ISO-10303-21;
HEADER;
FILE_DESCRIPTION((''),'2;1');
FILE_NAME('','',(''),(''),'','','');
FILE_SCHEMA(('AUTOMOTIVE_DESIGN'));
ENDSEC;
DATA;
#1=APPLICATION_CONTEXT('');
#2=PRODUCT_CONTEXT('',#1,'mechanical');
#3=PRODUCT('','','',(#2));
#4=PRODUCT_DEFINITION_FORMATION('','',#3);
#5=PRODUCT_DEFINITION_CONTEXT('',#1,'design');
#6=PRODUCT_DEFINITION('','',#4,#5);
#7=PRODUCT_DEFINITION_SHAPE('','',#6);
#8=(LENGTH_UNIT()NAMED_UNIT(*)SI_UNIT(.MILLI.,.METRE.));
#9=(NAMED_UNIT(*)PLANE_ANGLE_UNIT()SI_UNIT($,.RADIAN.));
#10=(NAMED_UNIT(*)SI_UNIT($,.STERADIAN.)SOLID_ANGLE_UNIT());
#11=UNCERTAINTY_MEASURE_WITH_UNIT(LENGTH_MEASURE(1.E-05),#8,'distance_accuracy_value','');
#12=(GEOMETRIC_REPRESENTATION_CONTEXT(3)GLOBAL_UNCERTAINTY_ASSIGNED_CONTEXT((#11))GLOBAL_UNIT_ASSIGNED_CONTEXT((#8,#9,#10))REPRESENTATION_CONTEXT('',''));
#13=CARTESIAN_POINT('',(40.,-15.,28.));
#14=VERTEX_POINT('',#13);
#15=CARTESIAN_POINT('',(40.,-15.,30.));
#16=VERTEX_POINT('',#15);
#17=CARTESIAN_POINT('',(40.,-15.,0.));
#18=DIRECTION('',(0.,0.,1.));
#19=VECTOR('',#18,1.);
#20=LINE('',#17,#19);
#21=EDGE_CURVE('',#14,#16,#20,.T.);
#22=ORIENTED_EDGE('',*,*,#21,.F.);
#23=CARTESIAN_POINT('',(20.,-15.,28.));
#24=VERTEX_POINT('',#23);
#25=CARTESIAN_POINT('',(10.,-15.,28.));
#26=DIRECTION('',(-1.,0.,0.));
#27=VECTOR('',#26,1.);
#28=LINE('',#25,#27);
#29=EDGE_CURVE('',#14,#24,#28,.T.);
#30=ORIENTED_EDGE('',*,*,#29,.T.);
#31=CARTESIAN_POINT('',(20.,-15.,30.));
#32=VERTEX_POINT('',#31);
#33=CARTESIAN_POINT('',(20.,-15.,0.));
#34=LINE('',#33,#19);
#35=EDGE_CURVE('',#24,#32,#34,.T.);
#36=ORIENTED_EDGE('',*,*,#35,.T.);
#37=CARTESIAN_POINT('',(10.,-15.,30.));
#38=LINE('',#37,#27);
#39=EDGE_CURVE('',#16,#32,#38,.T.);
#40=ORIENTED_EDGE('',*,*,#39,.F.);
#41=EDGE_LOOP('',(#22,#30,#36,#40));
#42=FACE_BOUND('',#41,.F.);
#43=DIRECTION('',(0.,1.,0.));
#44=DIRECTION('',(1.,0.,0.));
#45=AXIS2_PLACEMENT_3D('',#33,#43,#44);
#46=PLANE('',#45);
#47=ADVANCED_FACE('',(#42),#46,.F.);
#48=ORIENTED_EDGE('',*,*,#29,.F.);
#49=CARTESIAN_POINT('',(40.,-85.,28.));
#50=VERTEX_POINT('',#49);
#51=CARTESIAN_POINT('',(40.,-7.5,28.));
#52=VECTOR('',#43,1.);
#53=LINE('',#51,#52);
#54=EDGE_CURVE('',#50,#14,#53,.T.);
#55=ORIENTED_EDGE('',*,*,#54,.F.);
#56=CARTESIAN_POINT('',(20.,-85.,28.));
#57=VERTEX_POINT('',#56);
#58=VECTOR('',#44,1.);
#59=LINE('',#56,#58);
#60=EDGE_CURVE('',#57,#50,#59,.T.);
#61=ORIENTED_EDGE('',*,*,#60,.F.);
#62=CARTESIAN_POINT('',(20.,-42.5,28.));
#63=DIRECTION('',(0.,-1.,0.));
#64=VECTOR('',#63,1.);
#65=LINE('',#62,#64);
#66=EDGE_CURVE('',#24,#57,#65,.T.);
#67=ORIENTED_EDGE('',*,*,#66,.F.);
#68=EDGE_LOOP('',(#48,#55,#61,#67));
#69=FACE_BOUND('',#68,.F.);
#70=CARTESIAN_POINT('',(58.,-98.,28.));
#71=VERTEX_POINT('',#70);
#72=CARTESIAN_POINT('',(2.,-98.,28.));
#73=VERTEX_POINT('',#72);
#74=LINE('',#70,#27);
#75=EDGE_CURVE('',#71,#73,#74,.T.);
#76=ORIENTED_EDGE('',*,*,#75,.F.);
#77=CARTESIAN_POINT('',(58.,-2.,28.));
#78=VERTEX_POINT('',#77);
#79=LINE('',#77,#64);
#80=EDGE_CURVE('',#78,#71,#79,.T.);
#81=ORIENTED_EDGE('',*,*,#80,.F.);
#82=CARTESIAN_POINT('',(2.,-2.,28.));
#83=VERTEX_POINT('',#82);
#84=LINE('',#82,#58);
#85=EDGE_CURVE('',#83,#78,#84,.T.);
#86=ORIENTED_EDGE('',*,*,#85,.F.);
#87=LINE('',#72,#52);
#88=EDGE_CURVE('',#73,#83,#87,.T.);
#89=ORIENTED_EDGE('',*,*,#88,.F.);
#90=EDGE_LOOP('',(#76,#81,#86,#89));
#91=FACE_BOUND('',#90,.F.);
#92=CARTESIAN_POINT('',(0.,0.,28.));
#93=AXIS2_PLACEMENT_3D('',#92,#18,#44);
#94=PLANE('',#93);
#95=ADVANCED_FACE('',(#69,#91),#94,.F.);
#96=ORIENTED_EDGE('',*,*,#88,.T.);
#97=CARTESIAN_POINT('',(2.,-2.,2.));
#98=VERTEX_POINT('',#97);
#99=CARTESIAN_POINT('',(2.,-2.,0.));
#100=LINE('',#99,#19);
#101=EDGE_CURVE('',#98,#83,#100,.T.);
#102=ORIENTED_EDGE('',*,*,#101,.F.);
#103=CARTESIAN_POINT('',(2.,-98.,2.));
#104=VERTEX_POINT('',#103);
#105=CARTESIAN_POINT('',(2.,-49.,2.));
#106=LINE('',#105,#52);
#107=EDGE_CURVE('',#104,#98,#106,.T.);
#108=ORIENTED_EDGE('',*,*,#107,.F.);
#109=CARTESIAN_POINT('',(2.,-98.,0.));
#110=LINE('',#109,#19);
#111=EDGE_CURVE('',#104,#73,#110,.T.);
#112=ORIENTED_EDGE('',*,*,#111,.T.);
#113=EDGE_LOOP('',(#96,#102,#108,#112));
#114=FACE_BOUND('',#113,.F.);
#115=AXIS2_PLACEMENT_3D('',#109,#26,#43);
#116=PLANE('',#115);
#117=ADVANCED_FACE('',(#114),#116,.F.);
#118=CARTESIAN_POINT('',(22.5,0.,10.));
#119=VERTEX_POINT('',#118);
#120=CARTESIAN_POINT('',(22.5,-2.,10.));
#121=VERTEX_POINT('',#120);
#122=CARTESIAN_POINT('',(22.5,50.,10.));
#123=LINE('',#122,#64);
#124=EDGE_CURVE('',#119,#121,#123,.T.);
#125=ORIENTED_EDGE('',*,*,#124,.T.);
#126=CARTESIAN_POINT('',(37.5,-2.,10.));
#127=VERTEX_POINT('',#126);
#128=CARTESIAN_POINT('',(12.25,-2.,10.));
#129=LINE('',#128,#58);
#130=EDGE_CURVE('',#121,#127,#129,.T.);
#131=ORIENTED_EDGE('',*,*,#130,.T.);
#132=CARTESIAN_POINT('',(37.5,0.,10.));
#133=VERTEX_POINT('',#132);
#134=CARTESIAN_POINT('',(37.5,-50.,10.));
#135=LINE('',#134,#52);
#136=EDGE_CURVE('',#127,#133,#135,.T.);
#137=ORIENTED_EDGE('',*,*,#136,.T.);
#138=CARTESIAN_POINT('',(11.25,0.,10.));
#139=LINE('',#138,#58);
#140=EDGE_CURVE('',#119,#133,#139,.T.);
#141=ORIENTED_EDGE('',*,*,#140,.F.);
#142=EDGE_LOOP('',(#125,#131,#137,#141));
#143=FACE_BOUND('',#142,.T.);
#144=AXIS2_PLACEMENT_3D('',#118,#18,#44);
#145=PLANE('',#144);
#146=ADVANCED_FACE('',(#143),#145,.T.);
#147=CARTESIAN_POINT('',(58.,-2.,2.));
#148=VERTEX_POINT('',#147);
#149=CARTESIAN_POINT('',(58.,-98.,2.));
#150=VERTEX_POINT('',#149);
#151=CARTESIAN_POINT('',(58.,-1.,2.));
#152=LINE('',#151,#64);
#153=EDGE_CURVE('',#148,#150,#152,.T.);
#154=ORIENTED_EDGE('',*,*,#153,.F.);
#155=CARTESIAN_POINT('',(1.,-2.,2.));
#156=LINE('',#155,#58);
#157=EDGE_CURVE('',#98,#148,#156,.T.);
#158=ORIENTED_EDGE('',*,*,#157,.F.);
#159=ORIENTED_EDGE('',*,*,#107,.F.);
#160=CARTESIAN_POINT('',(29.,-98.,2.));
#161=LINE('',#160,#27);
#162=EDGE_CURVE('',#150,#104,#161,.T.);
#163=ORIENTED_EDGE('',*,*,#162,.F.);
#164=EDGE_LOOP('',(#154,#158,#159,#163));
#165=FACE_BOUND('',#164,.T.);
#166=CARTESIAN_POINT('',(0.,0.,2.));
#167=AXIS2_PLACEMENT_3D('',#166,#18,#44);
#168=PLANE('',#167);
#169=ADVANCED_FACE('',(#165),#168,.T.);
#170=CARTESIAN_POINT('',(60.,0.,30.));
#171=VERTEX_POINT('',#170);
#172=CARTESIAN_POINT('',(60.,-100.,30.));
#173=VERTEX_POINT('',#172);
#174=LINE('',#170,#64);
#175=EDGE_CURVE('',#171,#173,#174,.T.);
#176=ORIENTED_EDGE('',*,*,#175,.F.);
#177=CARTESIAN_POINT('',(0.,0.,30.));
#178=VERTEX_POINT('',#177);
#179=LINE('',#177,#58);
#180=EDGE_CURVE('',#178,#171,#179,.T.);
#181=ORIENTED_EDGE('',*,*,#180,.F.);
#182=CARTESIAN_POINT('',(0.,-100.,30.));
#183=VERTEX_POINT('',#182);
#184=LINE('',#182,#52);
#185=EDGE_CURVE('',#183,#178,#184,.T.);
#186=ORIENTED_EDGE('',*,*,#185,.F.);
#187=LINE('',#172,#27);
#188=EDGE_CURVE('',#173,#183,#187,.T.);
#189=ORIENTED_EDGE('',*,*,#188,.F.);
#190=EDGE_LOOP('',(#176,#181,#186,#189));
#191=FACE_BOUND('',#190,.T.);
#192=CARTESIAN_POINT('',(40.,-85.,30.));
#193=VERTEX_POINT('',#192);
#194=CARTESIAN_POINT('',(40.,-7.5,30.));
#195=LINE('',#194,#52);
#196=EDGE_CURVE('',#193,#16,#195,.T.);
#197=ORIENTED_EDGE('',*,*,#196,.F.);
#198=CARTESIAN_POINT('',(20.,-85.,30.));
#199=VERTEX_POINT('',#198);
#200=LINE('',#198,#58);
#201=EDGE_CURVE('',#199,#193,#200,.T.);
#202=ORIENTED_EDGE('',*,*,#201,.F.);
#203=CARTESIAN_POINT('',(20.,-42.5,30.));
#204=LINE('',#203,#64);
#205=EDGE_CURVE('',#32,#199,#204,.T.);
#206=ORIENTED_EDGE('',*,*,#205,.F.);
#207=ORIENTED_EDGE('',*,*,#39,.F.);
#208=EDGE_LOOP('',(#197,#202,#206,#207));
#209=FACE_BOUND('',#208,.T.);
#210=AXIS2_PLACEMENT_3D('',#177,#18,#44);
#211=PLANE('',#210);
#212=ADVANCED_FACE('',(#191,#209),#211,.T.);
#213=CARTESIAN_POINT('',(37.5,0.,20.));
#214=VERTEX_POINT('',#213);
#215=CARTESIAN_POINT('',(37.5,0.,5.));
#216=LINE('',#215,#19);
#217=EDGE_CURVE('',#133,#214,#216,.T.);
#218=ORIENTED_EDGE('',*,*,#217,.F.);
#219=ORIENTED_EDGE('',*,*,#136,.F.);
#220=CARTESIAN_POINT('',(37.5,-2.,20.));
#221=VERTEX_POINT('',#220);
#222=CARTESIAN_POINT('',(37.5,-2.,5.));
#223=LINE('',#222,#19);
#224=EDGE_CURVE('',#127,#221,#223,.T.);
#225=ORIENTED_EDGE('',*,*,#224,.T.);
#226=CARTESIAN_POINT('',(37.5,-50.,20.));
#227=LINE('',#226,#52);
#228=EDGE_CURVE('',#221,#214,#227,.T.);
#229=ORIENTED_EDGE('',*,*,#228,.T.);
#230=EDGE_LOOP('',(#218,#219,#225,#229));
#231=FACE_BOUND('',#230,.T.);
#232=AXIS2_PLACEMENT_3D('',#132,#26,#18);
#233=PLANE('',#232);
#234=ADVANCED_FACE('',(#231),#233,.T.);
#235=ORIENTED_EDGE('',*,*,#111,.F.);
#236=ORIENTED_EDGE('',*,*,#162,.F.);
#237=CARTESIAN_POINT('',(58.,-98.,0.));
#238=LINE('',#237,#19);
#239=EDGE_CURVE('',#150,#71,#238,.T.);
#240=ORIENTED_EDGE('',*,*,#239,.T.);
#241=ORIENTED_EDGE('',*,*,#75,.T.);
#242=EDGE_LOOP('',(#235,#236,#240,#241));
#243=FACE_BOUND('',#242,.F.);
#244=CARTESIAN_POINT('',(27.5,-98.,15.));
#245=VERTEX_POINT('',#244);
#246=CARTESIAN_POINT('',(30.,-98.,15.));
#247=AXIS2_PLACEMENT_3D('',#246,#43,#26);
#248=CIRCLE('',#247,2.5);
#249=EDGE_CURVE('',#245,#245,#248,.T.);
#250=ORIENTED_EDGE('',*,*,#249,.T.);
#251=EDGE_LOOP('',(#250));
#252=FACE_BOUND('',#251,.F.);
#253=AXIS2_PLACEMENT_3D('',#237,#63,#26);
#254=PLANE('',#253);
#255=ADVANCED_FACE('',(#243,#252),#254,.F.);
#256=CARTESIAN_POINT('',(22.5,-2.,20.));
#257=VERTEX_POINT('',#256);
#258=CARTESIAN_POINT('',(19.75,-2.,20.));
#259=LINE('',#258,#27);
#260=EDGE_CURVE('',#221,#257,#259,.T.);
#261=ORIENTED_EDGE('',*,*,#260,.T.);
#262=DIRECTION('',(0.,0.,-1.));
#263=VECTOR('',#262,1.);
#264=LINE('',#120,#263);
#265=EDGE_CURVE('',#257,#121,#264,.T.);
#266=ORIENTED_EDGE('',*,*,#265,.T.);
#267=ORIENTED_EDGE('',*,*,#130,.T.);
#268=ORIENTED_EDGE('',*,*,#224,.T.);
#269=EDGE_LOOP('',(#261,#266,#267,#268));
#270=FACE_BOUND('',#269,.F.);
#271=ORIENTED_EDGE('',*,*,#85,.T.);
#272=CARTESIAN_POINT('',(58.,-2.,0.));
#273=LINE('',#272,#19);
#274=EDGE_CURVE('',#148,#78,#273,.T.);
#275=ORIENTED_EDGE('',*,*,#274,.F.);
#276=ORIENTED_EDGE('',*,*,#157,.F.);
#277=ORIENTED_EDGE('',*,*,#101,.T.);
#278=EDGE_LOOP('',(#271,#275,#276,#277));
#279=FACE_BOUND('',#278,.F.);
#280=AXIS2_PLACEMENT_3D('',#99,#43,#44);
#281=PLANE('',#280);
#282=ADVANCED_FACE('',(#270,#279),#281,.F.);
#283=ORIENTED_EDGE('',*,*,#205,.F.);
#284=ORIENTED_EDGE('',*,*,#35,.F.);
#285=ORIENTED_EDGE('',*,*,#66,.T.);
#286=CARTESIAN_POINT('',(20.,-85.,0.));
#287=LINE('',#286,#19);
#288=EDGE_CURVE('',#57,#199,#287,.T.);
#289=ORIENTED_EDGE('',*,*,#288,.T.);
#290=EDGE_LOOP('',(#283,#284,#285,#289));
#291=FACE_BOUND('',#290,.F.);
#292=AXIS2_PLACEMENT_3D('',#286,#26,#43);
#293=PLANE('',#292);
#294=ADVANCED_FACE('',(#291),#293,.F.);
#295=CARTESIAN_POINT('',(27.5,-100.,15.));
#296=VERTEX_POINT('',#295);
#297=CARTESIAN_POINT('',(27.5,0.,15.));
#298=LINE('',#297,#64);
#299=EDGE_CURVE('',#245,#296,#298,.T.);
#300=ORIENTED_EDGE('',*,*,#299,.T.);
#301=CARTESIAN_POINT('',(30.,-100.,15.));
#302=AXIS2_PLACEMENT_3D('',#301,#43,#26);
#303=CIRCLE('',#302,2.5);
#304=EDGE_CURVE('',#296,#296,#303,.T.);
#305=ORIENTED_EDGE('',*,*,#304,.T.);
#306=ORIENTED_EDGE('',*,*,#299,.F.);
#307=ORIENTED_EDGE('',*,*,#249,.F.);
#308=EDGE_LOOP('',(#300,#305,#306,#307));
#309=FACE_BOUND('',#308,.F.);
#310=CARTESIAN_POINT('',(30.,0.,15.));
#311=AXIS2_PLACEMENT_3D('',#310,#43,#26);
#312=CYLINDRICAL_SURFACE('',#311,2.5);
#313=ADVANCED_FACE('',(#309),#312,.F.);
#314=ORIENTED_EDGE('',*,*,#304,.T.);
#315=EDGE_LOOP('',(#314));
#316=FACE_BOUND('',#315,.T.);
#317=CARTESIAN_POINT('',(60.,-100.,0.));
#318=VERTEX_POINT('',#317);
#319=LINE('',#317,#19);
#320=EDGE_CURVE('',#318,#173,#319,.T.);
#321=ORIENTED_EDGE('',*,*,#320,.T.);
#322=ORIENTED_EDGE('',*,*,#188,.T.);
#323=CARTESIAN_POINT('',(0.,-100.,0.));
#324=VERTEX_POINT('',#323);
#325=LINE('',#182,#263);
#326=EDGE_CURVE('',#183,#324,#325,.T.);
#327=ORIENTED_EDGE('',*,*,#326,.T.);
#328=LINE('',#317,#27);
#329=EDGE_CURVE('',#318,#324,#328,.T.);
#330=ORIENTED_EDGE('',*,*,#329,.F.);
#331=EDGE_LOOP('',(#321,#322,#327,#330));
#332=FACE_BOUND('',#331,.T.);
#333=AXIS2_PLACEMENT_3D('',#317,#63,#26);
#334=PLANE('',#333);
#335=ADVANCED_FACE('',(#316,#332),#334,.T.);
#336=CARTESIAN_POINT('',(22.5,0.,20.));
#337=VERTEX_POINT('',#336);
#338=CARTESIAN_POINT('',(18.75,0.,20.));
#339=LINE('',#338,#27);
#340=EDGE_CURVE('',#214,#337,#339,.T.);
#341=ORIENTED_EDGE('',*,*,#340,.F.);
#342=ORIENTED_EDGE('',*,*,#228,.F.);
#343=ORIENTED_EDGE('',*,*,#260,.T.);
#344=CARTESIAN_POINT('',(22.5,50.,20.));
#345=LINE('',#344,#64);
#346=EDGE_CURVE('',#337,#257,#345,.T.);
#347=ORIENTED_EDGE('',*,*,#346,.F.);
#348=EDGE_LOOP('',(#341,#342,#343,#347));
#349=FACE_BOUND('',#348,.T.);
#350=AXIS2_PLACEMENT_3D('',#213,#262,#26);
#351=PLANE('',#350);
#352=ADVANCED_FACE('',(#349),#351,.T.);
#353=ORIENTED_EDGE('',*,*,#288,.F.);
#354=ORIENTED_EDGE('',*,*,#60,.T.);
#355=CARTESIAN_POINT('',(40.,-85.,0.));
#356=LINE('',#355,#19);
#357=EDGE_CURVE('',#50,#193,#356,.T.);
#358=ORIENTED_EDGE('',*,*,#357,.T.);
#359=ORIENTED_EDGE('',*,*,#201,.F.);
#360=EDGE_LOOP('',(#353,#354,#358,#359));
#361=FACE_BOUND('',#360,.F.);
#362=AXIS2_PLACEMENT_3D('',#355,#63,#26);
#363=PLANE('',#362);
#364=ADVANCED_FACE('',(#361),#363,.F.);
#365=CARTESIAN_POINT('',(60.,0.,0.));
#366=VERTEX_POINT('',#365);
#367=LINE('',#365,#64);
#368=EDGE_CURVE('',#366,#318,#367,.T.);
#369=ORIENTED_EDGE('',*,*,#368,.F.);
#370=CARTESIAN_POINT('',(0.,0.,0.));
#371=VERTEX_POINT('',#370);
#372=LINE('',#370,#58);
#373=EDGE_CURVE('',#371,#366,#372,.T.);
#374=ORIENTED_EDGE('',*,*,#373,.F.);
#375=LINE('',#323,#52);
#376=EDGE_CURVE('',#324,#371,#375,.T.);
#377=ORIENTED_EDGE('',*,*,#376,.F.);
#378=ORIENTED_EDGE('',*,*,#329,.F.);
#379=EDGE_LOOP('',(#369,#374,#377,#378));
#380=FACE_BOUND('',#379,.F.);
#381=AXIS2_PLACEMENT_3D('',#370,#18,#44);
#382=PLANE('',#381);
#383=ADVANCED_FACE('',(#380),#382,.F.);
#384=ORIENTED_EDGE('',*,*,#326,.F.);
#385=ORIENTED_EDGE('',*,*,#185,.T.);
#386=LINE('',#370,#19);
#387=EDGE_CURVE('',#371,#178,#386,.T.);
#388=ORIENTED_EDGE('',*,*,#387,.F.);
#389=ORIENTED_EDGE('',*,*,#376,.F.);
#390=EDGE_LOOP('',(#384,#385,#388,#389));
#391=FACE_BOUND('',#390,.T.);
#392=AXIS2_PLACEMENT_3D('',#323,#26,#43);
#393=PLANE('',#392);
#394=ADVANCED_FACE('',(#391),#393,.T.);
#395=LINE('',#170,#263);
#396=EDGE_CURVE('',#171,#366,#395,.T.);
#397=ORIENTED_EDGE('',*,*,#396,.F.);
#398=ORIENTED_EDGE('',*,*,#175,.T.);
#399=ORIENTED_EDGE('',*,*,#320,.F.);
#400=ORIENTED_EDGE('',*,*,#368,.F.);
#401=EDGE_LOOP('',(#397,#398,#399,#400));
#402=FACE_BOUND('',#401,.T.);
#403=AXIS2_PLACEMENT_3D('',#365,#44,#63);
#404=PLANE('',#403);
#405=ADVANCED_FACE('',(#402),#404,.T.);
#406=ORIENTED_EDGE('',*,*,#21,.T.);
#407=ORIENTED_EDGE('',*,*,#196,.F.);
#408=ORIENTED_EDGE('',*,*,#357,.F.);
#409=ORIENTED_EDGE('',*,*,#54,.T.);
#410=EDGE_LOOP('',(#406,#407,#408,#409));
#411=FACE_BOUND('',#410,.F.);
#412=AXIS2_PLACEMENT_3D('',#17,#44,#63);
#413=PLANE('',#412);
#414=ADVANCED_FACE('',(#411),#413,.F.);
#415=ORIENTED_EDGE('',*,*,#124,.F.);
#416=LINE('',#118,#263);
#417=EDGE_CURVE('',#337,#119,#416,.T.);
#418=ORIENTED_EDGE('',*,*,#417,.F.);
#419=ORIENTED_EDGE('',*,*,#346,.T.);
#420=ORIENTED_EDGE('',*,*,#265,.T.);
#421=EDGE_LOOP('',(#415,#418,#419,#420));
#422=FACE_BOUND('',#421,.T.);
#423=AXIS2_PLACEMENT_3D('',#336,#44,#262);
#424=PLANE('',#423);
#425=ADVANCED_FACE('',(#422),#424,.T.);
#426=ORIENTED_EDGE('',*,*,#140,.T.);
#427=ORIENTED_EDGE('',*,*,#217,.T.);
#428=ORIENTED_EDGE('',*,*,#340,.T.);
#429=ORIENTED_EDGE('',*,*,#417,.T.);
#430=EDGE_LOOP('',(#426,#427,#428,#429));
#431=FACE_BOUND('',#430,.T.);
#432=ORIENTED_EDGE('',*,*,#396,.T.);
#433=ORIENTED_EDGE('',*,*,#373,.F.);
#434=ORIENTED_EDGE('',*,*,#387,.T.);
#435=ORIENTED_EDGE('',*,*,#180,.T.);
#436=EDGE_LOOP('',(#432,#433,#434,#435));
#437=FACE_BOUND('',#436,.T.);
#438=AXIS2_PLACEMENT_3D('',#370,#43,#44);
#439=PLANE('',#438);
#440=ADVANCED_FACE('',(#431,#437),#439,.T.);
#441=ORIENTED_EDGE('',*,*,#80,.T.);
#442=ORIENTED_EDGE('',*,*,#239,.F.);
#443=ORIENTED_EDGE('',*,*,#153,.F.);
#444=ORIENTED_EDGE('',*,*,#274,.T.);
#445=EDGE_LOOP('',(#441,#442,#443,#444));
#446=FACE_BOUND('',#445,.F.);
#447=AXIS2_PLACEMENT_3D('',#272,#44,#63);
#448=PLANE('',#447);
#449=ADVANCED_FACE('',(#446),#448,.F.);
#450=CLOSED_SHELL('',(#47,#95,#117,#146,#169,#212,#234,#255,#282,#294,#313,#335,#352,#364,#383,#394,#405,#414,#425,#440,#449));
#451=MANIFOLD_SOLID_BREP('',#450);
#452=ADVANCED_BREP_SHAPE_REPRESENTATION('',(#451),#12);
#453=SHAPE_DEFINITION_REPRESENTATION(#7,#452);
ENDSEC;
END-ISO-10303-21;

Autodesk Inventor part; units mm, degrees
ref_plane "YZ Plane" through (0, 0, 0) normal (1, 0, 0) x (0, 1, 0)
ref_plane "XZ Plane" through (0, 0, 0) normal (0, 1, 0) x (-1, 0, 0)
ref_plane "XY Plane" through (0, 0, 0) normal (0, 0, 1) x (1, 0, 0)
sketch "Эскиз1" plane through (0, 0, 0) normal (0, 0, 1) x (1, 0, 0)
  line L0 (0, 0) -> (60, 0)
  line L1 (60, 0) -> (60, -100)
  line L2 (60, -100) -> (0, -100)
  line L3 (0, -100) -> (0, 0)
  line L4 (2, -2) -> (58, -2)
  line L5 (58, -2) -> (58, -98)
  line L6 (58, -98) -> (2, -98)
  line L7 (2, -98) -> (2, -2)
  line L8 (0, 0) -> (60, -100) construction
  line L9 (60, 0) -> (0, -100) construction
  line L10 (2, -2) -> (58, -98) construction
  line L11 (58, -2) -> (2, -98) construction
  line L12 (20, -15) -> (40, -15)
  line L13 (40, -15) -> (40, -85)
  line L14 (40, -85) -> (20, -85)
  line L15 (20, -85) -> (20, -15)
  line L16 (20, -15) -> (40, -85) construction
  line L17 (40, -15) -> (20, -85) construction
  point P0 (30, -50)
  point P1 (30, -50)
  dimension "d0" = 60
  dimension "d1" = 100
  dimension "d2" = 56
  dimension "d3" = 96
  dimension "d8" = 20
  dimension "d9" = 70
extrude "Выдавливание1" add sketch "Эскиз1" along normal blind 30 contours L0 L1 L2 L3 | L4 L5 L6 L7 | L12 L13 L14 L15
extrude "Выдавливание2" cut sketch "Эскиз1" along normal blind 28 contours L4 L5 L6 L7 | L12 L13 L14 L15
extrude "Выдавливание3" add sketch "Эскиз1" along normal blind 30 contours L12 L13 L14 L15
extrude "Выдавливание4" cut sketch "Эскиз1" along normal blind 35 contours L12 L13 L14 L15
sketch "Эскиз2" plane through (0, 0, 0) normal (0, 1, 0) x (-1, 0, 0)
  line L0 (-60, 0) -> (-60, 30) projected
  line L1 (-60, 30) -> (0, 30) projected
  line L2 (-60, 0) -> (0, 30) construction
  line L3 (-60, 0) -> (0, 0) projected
  line L4 (-60, 30) -> (0, 0) construction
  line L5 (-37.5, 20) -> (-22.5, 20)
  line L6 (-22.5, 20) -> (-22.5, 10)
  line L7 (-22.5, 10) -> (-37.5, 10)
  line L8 (-37.5, 10) -> (-37.5, 20)
  line L9 (-37.5, 20) -> (-22.5, 10) construction
  line L10 (-22.5, 20) -> (-37.5, 10) construction
  circle A0 centre (-30, 15) radius 2.5
  dimension "d14" = 15
  dimension "d15" = 10
  dimension "d16" = 5
extrude "Выдавливание5" cut sketch "Эскиз2" along normal mid plane 100 contours L5 L6 L7 L8 | A0
extrude "Выдавливание6" cut sketch "Эскиз2" against normal through all contours A0
extrude "Выдавливание9" add sketch "Эскиз1" along normal blind 2 contours L0 L1 L2 L3 | L4 L5 L6 L7 | L12 L13 L14 L15
properties part number "Корпус" material "Полиацеталь, черный"
